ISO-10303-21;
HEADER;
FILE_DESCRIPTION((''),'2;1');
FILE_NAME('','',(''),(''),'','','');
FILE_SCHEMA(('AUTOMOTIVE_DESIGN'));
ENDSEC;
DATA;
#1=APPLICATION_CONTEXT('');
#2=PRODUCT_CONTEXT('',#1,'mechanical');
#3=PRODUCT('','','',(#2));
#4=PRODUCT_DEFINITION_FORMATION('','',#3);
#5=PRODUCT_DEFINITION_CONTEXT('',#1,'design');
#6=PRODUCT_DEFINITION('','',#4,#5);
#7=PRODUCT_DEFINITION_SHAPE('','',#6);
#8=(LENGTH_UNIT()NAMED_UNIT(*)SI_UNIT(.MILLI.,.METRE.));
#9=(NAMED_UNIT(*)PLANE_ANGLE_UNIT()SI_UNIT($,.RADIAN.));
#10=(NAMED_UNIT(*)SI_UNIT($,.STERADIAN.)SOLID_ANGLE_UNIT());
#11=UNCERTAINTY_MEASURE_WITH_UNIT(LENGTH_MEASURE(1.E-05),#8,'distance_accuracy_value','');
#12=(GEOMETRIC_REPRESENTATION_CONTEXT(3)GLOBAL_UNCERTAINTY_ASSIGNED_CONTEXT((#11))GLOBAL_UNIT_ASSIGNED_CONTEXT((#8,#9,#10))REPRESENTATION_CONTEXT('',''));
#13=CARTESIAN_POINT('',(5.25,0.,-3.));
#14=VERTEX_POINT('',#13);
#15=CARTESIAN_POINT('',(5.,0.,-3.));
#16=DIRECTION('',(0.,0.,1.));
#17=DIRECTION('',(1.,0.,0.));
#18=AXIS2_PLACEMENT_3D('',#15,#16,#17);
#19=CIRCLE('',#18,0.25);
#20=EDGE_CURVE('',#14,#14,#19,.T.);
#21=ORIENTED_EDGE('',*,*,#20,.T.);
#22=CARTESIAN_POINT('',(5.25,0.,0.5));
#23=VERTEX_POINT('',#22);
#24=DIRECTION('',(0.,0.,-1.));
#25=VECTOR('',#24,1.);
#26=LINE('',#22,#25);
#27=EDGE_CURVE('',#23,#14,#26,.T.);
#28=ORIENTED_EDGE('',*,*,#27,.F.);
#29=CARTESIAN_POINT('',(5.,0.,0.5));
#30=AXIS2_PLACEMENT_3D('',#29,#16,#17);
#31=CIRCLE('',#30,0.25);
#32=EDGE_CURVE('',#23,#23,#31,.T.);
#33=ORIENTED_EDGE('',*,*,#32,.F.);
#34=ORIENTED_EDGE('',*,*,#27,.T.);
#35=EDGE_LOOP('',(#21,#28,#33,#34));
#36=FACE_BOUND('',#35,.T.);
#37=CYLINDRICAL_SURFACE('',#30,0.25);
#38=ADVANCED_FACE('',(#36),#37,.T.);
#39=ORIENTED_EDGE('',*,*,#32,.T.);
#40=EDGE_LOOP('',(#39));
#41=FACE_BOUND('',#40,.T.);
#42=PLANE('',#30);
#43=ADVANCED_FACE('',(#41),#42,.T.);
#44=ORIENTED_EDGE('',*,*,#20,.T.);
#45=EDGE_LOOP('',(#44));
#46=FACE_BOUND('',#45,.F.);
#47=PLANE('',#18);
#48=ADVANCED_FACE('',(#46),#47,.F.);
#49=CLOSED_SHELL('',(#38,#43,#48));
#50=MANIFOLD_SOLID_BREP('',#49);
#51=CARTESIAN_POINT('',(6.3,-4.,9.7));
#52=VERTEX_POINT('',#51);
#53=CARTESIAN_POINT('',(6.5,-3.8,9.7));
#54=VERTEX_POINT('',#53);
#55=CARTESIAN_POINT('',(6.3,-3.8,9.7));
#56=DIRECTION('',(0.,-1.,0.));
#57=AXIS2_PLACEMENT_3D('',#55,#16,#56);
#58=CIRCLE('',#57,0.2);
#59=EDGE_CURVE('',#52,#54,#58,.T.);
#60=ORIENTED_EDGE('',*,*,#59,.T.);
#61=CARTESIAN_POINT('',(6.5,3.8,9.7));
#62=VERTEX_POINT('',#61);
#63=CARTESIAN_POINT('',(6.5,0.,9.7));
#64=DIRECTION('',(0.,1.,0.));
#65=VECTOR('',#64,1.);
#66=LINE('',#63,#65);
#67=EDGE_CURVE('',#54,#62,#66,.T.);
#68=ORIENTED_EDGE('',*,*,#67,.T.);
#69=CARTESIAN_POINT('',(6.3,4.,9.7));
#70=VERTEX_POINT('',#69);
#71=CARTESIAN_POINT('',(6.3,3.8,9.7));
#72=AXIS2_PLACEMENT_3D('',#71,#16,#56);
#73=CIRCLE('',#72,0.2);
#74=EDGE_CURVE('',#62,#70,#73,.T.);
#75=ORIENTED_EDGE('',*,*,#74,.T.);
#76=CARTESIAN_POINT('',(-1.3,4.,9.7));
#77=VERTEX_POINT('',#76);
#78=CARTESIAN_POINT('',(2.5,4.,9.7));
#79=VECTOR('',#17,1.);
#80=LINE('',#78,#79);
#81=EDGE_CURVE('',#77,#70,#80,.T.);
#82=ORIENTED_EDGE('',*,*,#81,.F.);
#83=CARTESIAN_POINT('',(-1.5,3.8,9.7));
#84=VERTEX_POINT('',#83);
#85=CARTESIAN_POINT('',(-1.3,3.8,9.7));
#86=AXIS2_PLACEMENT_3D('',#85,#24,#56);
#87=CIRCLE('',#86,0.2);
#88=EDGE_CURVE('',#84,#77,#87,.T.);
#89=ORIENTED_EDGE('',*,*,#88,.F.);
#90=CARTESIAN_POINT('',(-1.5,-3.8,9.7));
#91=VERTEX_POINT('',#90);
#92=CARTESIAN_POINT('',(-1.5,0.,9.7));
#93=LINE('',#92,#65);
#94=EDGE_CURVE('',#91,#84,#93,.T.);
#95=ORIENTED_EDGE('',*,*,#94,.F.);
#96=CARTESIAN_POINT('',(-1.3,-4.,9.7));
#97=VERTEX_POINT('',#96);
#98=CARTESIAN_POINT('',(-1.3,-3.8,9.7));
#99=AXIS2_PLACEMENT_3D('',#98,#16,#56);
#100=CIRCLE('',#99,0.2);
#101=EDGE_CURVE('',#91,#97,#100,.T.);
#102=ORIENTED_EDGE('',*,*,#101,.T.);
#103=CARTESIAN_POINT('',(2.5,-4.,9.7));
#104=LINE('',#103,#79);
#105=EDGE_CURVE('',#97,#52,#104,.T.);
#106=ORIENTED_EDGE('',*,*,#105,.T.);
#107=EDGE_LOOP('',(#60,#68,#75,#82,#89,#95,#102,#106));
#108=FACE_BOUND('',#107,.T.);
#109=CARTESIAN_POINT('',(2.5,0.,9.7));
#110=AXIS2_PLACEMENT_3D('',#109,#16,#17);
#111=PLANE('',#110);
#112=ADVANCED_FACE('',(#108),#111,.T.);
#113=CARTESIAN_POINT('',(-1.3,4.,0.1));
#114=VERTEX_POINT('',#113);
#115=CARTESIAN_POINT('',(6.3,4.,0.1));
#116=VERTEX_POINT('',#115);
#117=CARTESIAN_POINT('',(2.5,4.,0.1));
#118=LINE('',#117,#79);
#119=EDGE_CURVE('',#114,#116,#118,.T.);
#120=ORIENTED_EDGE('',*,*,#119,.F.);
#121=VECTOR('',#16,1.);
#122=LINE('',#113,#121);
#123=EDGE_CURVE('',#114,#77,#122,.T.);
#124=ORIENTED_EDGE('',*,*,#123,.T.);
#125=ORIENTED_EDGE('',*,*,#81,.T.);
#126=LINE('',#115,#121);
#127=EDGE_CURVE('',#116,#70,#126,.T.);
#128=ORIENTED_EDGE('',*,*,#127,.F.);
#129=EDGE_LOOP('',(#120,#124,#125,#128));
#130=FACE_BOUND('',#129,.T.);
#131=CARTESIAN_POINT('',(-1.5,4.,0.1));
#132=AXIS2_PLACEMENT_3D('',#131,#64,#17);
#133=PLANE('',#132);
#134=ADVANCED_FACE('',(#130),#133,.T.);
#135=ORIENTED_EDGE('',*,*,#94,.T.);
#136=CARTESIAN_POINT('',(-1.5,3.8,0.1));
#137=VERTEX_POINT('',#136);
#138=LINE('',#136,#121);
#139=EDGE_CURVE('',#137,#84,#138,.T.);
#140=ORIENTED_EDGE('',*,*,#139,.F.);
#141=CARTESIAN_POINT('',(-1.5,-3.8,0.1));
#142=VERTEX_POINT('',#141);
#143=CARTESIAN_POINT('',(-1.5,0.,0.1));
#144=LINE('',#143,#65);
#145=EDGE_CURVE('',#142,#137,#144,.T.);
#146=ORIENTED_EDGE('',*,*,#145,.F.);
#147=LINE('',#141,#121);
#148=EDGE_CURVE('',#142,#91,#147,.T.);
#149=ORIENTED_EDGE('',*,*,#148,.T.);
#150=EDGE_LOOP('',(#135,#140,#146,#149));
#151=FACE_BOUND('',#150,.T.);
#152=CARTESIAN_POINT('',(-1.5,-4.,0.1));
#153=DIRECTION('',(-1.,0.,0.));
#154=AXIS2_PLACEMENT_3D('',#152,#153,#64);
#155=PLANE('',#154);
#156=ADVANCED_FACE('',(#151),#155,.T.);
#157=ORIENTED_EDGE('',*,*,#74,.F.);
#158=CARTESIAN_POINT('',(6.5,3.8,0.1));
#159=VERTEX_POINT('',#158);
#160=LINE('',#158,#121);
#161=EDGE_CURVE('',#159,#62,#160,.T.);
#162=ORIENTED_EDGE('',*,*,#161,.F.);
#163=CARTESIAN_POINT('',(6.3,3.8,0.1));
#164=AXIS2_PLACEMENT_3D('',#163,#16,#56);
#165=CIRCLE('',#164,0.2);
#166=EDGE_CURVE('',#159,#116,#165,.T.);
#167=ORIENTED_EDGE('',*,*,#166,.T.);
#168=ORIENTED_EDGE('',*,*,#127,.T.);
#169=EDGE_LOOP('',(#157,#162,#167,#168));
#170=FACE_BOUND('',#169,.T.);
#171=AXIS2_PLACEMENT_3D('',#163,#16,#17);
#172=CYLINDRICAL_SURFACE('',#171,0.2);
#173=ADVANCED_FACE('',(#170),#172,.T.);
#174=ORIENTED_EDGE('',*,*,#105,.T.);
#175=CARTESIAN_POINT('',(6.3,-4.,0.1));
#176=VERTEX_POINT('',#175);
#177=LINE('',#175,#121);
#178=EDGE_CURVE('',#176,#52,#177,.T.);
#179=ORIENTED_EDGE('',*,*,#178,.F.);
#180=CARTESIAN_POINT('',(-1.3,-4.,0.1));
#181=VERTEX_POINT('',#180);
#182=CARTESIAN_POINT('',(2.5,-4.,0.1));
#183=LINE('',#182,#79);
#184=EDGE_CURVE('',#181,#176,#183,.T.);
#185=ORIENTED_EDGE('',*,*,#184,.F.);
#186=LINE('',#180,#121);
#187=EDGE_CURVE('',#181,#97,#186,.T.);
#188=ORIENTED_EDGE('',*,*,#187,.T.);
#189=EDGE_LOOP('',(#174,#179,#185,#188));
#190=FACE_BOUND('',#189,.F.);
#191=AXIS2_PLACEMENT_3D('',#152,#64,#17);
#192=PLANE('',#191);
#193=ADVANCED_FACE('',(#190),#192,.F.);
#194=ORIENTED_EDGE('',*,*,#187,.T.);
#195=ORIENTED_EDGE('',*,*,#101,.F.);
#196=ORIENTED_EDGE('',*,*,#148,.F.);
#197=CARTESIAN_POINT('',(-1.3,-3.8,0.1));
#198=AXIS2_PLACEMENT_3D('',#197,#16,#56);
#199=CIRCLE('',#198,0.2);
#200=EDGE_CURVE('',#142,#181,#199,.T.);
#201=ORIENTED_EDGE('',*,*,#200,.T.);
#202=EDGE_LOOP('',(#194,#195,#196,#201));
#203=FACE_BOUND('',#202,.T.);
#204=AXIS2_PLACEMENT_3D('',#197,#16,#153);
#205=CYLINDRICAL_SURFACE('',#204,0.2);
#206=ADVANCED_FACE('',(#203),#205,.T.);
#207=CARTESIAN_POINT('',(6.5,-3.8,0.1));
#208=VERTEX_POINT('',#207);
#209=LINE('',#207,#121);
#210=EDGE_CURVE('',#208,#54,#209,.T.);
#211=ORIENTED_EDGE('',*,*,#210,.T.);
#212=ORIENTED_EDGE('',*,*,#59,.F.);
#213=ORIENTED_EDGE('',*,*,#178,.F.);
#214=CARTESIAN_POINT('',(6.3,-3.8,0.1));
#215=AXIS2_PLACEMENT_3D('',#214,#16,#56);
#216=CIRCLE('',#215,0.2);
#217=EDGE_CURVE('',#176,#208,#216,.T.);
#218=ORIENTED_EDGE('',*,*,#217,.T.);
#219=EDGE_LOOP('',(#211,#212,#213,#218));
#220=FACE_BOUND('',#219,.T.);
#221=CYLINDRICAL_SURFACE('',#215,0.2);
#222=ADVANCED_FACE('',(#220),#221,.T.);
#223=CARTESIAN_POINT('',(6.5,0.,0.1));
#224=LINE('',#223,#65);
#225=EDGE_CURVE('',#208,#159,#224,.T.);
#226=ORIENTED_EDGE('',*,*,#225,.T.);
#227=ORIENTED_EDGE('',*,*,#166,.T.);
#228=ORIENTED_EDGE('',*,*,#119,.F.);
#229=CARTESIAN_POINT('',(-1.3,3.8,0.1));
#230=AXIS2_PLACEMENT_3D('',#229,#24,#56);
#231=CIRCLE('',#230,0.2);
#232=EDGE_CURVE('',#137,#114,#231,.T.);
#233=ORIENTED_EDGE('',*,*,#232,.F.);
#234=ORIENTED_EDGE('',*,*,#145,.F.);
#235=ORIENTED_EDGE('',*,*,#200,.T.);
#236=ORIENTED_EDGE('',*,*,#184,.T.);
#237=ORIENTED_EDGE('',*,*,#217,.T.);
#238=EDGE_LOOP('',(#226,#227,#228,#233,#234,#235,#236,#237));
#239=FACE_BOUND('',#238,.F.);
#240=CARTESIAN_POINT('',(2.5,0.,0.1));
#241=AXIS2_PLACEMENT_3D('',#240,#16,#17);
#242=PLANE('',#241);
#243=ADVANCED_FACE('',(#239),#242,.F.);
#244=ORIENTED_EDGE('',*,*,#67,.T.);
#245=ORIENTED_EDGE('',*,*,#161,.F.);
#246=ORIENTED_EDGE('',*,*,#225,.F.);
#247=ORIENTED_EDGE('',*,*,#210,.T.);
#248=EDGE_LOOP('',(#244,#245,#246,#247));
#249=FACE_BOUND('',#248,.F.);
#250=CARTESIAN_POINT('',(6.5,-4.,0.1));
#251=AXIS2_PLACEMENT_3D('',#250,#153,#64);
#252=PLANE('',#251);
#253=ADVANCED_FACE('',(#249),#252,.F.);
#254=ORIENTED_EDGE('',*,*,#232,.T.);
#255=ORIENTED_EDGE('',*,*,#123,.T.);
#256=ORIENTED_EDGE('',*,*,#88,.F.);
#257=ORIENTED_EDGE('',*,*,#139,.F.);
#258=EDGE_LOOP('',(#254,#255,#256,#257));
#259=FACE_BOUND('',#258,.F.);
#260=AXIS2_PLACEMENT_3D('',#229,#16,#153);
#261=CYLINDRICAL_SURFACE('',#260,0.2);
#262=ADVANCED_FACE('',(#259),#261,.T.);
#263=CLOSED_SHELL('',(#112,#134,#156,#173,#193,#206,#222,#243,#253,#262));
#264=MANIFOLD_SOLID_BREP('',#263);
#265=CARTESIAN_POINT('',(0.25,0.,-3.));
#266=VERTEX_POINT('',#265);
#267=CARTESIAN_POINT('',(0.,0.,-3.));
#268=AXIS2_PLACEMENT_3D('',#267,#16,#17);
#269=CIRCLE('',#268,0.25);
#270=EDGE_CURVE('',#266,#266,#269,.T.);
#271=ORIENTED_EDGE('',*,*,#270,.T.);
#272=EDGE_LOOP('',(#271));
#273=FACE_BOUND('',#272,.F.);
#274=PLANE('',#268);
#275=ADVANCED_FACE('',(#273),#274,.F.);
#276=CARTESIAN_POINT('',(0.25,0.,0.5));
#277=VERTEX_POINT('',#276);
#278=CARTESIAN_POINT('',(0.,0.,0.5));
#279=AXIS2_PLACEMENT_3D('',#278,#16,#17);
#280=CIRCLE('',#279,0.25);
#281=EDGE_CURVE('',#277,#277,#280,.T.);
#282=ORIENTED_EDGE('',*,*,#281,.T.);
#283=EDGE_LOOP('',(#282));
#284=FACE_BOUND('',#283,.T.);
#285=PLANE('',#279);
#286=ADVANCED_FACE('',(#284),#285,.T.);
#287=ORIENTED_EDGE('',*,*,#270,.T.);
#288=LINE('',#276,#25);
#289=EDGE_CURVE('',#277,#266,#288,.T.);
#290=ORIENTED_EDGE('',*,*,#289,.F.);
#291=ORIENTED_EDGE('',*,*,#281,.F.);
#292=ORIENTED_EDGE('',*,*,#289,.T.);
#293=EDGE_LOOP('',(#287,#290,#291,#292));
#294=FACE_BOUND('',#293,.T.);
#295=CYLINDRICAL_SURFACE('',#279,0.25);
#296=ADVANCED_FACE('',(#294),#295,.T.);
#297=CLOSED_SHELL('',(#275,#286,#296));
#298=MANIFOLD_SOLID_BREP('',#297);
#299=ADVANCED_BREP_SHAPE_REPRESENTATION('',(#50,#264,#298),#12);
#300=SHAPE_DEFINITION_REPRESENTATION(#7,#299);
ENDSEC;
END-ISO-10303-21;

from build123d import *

# Parameters (mm, degrees)
SKETCH001_R  = 0.25
PAD001_DEPTH = 3.5
SKETCH_W     = 8
SKETCH_H     = 8
PAD_DEPTH    = 9.6
FILLET_R     = 0.2


with BuildPart() as pad001:
    # Sketch001 → Pad001 (new body)
    with BuildSketch(Plane.XY.offset(0.5)):
        Circle(SKETCH001_R)
        with Locations((5, 0)):
            Circle(SKETCH001_R)
    extrude(amount=-PAD001_DEPTH)


with BuildPart() as fillet_body:
    # Sketch → Pad (new body)
    with BuildSketch(Plane.XY.offset(0.1)):
        with Locations((2.5, 0)):
            Rectangle(SKETCH_W, SKETCH_H)
    extrude(amount=PAD_DEPTH)

    # Fillet
    fillet_edges = [fillet_body.edges().sort_by_distance(p)[0] for p in [
        (6.5, -4, 4.9),
        (6.5, 4, 4.9),
        (-1.5, -4, 4.9),
        (-1.5, 4, 4.9),
    ]]
    fillet(fillet_edges, radius=FILLET_R)


solid = Compound([pad001.part, fillet_body.part])
